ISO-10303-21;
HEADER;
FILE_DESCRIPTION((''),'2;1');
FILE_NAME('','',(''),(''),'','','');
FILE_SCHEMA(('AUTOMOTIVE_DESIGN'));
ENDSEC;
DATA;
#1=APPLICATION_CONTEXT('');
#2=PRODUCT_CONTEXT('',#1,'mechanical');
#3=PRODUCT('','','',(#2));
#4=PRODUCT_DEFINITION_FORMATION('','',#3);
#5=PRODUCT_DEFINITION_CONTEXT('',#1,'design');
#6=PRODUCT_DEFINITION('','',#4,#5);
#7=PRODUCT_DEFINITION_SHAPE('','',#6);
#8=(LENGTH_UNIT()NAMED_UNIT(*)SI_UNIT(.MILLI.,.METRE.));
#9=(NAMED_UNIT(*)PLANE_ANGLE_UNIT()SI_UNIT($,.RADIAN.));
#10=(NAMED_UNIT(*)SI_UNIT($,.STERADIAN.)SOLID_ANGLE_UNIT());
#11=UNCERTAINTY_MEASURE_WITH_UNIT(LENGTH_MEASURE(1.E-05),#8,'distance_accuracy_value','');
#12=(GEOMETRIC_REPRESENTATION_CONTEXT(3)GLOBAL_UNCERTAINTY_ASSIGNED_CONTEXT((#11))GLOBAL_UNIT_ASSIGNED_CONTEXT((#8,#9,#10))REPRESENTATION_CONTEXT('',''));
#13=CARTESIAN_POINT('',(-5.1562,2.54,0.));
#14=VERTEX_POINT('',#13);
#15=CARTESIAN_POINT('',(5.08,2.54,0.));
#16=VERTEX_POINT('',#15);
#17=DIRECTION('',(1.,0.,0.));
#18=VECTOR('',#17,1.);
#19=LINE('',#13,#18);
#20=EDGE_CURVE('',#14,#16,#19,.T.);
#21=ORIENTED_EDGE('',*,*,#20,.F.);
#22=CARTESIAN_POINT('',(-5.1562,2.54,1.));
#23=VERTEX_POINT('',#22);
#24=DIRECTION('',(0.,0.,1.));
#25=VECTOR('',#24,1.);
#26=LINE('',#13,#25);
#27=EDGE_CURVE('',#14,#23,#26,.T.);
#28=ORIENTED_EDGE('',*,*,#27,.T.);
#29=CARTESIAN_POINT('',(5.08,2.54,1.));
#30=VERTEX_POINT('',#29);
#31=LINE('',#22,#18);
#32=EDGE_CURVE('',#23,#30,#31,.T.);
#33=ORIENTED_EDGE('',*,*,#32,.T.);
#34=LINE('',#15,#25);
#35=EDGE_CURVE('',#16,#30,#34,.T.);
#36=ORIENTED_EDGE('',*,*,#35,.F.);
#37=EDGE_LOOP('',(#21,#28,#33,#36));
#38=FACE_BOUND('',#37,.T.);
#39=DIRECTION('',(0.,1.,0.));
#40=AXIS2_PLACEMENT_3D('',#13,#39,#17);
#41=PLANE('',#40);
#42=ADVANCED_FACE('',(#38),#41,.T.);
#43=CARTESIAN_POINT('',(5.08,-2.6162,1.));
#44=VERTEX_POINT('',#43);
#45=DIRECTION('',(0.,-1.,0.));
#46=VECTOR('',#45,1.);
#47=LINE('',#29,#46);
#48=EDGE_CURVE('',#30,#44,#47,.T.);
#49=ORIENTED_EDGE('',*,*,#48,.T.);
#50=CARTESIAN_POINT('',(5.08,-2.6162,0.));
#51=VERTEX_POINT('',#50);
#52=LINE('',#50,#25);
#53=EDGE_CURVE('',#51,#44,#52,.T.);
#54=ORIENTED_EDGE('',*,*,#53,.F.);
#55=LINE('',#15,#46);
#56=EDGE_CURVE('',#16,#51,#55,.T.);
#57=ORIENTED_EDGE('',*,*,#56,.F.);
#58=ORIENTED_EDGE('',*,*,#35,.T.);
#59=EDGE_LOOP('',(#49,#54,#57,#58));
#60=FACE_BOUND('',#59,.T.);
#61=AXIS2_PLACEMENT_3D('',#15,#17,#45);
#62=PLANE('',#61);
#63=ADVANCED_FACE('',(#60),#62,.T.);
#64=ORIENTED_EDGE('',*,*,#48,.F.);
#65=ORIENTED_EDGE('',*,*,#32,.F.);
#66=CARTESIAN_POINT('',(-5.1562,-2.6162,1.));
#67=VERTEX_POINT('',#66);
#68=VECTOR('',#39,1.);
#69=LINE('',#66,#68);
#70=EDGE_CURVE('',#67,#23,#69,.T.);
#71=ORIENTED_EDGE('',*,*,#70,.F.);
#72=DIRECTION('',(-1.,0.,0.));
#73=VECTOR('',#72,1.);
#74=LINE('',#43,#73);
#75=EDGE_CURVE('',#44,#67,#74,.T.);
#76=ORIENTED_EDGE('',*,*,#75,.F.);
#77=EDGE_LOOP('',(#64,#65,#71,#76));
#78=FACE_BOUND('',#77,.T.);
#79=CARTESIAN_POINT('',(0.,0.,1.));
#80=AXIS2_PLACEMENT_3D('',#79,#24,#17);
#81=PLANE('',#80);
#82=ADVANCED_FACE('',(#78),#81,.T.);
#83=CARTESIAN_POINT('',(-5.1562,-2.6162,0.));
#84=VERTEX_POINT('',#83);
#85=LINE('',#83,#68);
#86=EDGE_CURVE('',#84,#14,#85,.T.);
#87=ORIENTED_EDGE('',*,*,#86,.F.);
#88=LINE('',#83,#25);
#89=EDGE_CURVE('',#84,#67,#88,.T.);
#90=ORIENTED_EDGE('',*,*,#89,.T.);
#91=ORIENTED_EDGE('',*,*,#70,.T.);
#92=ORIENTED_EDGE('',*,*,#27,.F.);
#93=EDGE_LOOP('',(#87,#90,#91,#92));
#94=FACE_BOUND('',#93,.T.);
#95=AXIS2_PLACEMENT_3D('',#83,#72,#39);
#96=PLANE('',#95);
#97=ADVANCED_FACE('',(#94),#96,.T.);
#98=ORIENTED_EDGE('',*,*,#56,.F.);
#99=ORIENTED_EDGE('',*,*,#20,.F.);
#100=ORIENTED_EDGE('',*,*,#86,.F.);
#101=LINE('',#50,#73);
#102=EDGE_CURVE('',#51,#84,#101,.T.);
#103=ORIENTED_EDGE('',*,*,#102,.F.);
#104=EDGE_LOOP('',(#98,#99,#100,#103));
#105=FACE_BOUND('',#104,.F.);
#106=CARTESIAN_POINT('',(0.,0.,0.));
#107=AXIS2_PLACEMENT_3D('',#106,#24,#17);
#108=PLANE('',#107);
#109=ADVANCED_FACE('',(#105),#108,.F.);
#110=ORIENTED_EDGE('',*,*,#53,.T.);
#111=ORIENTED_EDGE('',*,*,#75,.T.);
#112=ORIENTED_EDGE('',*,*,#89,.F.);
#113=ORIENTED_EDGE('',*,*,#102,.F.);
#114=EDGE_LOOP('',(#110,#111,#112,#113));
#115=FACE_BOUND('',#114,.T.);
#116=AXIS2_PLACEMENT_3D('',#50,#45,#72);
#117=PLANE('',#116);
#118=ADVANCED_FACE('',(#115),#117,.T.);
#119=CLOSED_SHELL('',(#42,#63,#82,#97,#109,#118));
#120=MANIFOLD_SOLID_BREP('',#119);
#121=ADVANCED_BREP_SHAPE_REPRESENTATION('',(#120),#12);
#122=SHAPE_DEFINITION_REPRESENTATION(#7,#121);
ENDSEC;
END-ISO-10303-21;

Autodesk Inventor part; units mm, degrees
ref_plane "YZ Plane" through (0, 0, 0) normal (1, 0, 0) x (0, 1, 0)
ref_plane "XZ Plane" through (0, 0, 0) normal (0, 1, 0) x (-1, 0, 0)
ref_plane "XY Plane" through (0, 0, 0) normal (0, 0, 1) x (1, 0, 0)
sketch "2X04, ISOLATED_CON_2X04_67" plane through (0, 0, 0) normal (0, 0, 1) x (1, 0, 0)
  line L0 (-5.1562, 2.54) -> (5.08, 2.54)
  line L1 (5.08, 2.54) -> (5.08, -2.6162)
  line L2 (5.08, -2.6162) -> (-5.1562, -2.6162)
  line L3 (-5.1562, -2.6162) -> (-5.1562, 2.54)
extrude "Extrusion1" add sketch "2X04, ISOLATED_CON_2X04_67" along normal blind 1
properties part number "ISOLATED_CON_2X04"
